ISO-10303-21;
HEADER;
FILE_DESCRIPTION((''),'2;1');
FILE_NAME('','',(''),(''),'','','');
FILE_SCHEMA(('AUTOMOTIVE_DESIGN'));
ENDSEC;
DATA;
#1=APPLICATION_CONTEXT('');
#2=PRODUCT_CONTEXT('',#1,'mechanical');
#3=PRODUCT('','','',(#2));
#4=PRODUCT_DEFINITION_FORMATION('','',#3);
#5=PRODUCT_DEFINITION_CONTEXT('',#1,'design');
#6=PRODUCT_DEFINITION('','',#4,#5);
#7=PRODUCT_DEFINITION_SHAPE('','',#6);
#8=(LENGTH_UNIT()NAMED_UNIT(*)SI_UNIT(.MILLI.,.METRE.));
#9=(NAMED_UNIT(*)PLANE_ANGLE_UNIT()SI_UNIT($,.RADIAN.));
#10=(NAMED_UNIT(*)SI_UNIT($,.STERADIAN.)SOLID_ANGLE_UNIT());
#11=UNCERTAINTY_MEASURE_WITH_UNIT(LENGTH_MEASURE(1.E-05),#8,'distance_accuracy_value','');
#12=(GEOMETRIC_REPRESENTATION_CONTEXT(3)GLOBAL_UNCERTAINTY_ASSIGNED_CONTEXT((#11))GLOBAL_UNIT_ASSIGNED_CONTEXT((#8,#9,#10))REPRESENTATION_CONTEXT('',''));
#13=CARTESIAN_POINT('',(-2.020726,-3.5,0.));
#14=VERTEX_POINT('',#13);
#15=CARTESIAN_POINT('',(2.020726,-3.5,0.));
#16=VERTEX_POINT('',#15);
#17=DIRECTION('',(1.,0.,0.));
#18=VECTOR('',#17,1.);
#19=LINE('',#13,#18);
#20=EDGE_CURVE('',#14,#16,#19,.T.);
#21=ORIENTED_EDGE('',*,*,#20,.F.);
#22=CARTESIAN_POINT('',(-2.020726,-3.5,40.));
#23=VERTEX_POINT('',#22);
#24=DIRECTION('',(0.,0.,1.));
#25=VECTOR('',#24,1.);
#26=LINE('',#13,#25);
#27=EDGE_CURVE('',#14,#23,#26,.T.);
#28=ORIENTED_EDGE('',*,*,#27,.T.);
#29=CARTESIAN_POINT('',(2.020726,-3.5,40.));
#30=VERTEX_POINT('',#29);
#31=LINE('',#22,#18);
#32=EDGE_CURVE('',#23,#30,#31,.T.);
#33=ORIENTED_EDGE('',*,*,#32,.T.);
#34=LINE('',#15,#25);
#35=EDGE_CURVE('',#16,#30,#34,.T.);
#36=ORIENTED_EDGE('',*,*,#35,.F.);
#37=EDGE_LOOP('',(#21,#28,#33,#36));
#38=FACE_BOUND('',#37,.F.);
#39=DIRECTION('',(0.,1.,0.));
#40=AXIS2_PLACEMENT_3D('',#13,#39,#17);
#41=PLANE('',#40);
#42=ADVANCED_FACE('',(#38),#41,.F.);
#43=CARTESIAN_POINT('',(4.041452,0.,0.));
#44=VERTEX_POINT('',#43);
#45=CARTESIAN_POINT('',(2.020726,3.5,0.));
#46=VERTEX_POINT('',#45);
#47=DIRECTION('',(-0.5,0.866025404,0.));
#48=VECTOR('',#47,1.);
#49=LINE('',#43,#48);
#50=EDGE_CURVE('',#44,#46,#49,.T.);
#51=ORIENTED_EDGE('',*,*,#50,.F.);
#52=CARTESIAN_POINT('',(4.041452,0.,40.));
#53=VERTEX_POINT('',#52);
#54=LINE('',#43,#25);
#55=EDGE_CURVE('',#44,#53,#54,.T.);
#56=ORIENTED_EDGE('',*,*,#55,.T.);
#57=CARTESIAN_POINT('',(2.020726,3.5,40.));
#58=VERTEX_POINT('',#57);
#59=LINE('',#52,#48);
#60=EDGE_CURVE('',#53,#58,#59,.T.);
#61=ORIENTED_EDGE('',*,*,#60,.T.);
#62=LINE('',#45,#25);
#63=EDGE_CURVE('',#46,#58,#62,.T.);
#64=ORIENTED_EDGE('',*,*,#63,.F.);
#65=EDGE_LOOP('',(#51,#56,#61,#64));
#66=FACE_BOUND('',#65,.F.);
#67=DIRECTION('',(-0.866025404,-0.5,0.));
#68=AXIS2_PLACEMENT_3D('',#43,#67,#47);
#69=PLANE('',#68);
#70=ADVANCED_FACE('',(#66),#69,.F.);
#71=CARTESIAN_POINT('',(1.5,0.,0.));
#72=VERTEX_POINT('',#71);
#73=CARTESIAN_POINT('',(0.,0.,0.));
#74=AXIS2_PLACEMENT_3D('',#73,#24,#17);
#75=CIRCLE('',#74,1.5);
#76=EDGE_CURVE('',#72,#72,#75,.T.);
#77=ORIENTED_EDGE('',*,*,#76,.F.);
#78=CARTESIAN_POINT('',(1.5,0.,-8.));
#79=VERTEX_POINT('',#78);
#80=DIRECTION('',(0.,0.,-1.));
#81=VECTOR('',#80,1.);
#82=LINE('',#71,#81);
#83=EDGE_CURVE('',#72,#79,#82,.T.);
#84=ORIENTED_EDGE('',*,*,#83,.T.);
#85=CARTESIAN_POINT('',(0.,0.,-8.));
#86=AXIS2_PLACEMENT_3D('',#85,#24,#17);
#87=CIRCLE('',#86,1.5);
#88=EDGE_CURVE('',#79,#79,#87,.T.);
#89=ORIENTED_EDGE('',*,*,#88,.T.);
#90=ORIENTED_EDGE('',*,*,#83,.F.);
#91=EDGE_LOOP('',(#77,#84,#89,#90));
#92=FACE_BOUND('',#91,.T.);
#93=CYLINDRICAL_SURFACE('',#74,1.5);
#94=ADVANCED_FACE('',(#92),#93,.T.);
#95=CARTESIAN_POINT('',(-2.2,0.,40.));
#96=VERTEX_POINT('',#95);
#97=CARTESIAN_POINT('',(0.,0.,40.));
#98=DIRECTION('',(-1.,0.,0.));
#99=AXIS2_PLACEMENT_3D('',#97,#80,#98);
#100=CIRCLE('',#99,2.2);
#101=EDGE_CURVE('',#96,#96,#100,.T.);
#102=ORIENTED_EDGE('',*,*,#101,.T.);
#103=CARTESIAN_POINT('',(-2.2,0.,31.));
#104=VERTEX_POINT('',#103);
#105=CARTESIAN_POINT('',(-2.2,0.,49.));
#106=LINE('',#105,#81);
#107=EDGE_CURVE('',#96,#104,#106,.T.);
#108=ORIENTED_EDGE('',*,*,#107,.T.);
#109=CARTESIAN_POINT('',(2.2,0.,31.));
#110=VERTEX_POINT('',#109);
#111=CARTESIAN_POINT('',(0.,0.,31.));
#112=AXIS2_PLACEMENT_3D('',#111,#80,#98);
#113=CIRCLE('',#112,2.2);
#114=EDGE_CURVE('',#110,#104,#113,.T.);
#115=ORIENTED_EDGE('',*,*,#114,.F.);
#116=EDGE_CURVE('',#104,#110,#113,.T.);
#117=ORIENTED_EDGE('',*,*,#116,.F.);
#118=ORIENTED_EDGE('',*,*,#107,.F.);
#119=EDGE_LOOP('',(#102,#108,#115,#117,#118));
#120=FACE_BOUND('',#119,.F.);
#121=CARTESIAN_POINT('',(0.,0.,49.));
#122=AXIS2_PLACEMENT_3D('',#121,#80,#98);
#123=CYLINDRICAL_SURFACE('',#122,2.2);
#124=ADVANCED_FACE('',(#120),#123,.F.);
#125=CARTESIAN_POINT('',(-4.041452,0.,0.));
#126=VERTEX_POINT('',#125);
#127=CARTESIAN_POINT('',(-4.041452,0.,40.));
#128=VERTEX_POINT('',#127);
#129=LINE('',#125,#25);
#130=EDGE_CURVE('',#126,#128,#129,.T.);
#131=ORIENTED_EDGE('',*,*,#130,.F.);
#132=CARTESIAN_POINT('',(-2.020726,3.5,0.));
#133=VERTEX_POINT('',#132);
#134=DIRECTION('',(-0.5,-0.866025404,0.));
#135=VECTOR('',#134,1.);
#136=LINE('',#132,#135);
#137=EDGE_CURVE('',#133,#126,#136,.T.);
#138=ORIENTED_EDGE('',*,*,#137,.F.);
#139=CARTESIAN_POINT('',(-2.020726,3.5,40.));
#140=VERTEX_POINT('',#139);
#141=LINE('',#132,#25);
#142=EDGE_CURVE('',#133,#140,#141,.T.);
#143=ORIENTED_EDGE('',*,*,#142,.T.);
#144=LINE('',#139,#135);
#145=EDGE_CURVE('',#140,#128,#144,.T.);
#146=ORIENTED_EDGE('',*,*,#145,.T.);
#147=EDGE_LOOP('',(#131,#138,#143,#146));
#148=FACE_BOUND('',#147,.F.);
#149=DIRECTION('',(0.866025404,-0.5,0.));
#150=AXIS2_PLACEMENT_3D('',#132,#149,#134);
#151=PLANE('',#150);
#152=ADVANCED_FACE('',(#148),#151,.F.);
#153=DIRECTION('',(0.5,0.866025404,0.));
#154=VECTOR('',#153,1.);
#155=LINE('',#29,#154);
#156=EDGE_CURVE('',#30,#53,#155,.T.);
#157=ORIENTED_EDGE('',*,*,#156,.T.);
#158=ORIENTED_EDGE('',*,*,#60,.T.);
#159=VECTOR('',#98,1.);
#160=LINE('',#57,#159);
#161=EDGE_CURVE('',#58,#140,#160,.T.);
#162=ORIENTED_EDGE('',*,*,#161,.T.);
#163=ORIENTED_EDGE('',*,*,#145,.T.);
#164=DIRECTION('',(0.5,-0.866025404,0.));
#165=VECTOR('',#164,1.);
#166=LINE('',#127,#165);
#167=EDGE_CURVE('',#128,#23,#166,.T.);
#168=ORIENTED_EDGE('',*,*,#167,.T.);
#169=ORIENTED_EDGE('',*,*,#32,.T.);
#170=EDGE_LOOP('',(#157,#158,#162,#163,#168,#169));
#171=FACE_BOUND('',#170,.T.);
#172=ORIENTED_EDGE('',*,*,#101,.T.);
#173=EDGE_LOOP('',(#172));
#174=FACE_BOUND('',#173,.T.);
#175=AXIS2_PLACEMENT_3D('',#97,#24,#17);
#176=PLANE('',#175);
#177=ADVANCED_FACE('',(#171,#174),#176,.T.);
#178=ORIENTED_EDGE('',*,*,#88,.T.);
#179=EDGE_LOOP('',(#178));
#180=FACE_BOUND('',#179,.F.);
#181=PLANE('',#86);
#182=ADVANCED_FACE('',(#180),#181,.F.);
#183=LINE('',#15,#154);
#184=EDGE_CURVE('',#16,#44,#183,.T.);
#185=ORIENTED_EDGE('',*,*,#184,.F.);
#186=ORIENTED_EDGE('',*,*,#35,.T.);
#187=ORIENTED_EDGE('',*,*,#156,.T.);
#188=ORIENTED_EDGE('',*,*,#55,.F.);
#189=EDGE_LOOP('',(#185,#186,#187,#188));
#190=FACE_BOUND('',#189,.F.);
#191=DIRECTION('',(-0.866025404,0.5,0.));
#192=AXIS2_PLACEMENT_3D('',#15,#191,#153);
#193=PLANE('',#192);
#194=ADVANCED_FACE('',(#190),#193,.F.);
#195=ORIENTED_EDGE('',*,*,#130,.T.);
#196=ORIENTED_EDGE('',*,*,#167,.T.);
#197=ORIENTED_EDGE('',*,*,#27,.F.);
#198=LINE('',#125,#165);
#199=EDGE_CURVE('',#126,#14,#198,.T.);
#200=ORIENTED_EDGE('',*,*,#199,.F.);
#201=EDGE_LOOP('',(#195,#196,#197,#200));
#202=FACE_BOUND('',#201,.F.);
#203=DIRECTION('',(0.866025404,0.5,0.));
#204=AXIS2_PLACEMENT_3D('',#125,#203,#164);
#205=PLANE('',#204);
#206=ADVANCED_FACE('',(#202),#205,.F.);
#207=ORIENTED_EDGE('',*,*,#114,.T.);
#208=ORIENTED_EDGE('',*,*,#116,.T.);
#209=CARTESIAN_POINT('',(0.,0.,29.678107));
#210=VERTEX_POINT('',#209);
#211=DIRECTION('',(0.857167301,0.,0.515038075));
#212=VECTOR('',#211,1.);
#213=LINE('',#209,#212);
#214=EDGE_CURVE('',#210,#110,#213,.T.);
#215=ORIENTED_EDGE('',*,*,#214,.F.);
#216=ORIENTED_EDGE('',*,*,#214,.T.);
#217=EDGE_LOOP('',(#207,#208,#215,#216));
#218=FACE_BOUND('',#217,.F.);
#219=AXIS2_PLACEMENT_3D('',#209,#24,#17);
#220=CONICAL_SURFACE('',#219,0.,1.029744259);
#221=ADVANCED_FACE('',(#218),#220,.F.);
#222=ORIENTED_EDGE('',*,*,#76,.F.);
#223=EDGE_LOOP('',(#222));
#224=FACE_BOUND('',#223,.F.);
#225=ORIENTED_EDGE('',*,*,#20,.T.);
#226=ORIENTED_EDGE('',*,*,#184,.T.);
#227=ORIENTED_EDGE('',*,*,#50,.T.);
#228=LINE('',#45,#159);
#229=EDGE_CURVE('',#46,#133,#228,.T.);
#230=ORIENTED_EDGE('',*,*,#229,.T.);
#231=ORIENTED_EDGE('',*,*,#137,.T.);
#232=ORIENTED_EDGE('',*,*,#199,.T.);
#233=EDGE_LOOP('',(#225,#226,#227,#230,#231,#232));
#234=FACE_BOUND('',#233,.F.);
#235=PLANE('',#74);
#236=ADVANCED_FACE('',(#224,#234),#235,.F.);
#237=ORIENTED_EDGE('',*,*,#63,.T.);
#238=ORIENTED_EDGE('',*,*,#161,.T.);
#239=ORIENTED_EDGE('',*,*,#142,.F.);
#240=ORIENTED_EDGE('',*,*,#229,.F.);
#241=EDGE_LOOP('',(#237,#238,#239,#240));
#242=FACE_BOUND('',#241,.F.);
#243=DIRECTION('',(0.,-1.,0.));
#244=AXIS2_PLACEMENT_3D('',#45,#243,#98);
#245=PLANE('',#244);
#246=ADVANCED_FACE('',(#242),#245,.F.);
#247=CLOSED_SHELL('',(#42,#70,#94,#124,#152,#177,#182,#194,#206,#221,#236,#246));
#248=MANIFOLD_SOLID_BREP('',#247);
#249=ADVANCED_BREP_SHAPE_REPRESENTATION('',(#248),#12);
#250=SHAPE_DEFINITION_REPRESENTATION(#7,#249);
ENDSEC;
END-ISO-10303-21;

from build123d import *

# Parameters (mm, degrees)
F0_R     = 1.5
F1_DEPTH = 40
F2_DEPTH = 8
F4_D     = 4.4
F4_DEPTH = 9
F4_TIP   = 1.3218933619


with BuildPart() as f1:
    # F0 (on Top) → F1 (new body)
    with BuildSketch(Plane.XY):
        Polygon((4.0414518843, 0), (2.0207259422, 3.5), (-2.0207259422, 3.5), (-4.0414518843, 0), (-2.0207259422, -3.5), (2.0207259422, -3.5), align=None)
        Circle(F0_R, mode=Mode.SUBTRACT)
        Circle(F0_R)
    extrude(amount=F1_DEPTH)

    # F0 (on Top) → F2 (join)
    with BuildSketch(Plane.XY):
        Circle(F0_R)
    extrude(amount=-F2_DEPTH)

    # F4
    with Locations(Plane.XY.offset(40)):
        with Locations((0, 0)):
            Hole(F4_D / 2, depth=F4_DEPTH)
            with Locations((0, 0, -(F4_DEPTH + F4_TIP / 2))):  # 118° drill point
                Cone(0, F4_D / 2, F4_TIP, mode=Mode.SUBTRACT)


solid = f1.part
